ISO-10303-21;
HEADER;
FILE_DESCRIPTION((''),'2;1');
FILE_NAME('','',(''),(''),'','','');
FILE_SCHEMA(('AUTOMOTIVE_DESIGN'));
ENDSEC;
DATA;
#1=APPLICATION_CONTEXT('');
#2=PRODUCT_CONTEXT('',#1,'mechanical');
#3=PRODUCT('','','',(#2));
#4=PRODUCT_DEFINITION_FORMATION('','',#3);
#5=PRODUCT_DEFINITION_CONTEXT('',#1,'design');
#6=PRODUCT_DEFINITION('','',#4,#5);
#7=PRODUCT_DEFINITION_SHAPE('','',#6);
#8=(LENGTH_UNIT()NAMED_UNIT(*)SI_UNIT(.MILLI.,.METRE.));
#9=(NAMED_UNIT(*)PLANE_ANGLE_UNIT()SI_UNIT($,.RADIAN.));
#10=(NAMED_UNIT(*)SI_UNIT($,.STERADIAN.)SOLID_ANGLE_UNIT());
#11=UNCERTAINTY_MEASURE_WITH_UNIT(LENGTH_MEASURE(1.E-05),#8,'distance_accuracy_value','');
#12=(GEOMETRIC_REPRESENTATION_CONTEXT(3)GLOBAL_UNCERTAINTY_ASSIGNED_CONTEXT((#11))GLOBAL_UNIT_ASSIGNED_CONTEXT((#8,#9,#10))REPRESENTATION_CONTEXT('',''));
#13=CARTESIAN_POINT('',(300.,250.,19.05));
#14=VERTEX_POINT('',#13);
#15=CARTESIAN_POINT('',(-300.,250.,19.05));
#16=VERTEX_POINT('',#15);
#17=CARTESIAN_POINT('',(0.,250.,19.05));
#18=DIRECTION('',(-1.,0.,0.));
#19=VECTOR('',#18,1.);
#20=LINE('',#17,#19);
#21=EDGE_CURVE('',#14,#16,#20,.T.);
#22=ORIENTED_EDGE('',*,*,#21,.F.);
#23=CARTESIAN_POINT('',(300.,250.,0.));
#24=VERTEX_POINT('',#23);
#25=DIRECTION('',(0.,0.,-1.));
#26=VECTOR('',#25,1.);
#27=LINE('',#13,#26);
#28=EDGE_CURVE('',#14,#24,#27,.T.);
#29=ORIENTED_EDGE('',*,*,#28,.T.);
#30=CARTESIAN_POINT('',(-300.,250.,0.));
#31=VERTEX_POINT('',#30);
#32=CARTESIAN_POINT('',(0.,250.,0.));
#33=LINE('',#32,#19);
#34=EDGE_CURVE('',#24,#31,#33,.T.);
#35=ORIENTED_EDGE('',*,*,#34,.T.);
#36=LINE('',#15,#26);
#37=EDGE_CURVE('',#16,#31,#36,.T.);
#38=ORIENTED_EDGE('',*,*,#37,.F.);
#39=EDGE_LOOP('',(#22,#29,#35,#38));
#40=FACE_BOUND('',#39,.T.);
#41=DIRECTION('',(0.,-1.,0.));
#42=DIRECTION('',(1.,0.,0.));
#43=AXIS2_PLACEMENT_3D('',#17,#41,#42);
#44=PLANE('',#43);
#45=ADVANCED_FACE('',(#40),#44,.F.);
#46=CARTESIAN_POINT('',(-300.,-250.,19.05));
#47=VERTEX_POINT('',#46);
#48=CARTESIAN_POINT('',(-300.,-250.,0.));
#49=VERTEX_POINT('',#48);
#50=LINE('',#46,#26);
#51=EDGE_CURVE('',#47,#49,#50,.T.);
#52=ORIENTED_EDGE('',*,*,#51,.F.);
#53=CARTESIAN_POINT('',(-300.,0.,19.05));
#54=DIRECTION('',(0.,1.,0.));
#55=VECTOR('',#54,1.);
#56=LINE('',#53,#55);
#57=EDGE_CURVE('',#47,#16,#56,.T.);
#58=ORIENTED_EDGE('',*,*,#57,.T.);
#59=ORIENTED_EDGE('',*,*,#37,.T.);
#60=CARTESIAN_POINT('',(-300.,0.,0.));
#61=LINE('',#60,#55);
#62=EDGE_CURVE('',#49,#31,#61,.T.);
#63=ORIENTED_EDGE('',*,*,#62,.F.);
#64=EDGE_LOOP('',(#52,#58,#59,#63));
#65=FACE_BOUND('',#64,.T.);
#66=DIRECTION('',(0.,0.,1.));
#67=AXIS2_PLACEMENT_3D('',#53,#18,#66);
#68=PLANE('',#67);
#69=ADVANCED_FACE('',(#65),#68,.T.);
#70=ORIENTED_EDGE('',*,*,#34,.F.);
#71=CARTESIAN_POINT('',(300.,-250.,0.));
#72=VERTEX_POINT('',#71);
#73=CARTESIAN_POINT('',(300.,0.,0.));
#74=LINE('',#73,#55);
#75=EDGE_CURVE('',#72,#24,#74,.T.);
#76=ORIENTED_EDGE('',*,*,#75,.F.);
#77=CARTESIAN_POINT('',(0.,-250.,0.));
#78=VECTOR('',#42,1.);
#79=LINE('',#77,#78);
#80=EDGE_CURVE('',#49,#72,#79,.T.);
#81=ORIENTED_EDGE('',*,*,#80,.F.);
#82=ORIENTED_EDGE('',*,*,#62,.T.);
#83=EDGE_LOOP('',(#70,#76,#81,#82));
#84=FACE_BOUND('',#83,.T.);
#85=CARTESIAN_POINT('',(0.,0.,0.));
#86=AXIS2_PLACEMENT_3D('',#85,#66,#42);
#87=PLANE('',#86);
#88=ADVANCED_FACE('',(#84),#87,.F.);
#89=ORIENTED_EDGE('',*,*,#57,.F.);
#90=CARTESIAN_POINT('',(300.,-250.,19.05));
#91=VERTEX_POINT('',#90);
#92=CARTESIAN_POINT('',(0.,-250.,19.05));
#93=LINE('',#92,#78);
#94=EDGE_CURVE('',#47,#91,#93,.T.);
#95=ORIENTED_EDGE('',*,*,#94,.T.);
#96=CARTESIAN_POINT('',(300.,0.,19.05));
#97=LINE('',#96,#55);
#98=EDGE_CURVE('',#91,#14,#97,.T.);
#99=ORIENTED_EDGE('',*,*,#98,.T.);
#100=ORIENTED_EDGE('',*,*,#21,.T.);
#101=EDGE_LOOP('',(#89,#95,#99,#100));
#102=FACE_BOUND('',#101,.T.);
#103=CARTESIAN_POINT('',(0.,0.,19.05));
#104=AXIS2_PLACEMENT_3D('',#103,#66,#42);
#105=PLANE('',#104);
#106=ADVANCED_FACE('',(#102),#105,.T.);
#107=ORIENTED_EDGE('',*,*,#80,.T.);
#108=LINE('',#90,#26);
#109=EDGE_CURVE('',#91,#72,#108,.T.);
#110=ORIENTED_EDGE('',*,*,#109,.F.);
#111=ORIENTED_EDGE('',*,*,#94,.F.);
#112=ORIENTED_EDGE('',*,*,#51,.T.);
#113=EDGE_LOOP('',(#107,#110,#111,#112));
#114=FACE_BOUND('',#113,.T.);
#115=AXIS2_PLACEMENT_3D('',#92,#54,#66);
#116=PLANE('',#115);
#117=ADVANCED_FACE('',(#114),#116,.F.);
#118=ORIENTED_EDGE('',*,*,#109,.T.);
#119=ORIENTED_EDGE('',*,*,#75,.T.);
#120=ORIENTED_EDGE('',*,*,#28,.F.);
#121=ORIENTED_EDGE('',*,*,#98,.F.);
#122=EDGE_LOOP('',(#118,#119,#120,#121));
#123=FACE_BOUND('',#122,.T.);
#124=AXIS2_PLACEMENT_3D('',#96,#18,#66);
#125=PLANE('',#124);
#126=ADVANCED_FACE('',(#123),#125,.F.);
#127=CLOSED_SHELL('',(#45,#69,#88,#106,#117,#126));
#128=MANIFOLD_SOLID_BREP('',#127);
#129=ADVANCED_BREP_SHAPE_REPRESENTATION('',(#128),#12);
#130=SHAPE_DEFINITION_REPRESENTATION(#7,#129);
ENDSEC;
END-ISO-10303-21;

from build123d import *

# Parameters (mm, degrees)
BOSS_EXTRUDE1_DEPTH = 19.05


with BuildPart() as part:
    # Sketch1 → Boss-Extrude1 (new body)
    with BuildSketch(Plane.XY):
        Polygon((300, 185), (300, 250), (-300, 250), (-300, -250), (300, -250), align=None)
    extrude(amount=BOSS_EXTRUDE1_DEPTH)


solid = part.part
